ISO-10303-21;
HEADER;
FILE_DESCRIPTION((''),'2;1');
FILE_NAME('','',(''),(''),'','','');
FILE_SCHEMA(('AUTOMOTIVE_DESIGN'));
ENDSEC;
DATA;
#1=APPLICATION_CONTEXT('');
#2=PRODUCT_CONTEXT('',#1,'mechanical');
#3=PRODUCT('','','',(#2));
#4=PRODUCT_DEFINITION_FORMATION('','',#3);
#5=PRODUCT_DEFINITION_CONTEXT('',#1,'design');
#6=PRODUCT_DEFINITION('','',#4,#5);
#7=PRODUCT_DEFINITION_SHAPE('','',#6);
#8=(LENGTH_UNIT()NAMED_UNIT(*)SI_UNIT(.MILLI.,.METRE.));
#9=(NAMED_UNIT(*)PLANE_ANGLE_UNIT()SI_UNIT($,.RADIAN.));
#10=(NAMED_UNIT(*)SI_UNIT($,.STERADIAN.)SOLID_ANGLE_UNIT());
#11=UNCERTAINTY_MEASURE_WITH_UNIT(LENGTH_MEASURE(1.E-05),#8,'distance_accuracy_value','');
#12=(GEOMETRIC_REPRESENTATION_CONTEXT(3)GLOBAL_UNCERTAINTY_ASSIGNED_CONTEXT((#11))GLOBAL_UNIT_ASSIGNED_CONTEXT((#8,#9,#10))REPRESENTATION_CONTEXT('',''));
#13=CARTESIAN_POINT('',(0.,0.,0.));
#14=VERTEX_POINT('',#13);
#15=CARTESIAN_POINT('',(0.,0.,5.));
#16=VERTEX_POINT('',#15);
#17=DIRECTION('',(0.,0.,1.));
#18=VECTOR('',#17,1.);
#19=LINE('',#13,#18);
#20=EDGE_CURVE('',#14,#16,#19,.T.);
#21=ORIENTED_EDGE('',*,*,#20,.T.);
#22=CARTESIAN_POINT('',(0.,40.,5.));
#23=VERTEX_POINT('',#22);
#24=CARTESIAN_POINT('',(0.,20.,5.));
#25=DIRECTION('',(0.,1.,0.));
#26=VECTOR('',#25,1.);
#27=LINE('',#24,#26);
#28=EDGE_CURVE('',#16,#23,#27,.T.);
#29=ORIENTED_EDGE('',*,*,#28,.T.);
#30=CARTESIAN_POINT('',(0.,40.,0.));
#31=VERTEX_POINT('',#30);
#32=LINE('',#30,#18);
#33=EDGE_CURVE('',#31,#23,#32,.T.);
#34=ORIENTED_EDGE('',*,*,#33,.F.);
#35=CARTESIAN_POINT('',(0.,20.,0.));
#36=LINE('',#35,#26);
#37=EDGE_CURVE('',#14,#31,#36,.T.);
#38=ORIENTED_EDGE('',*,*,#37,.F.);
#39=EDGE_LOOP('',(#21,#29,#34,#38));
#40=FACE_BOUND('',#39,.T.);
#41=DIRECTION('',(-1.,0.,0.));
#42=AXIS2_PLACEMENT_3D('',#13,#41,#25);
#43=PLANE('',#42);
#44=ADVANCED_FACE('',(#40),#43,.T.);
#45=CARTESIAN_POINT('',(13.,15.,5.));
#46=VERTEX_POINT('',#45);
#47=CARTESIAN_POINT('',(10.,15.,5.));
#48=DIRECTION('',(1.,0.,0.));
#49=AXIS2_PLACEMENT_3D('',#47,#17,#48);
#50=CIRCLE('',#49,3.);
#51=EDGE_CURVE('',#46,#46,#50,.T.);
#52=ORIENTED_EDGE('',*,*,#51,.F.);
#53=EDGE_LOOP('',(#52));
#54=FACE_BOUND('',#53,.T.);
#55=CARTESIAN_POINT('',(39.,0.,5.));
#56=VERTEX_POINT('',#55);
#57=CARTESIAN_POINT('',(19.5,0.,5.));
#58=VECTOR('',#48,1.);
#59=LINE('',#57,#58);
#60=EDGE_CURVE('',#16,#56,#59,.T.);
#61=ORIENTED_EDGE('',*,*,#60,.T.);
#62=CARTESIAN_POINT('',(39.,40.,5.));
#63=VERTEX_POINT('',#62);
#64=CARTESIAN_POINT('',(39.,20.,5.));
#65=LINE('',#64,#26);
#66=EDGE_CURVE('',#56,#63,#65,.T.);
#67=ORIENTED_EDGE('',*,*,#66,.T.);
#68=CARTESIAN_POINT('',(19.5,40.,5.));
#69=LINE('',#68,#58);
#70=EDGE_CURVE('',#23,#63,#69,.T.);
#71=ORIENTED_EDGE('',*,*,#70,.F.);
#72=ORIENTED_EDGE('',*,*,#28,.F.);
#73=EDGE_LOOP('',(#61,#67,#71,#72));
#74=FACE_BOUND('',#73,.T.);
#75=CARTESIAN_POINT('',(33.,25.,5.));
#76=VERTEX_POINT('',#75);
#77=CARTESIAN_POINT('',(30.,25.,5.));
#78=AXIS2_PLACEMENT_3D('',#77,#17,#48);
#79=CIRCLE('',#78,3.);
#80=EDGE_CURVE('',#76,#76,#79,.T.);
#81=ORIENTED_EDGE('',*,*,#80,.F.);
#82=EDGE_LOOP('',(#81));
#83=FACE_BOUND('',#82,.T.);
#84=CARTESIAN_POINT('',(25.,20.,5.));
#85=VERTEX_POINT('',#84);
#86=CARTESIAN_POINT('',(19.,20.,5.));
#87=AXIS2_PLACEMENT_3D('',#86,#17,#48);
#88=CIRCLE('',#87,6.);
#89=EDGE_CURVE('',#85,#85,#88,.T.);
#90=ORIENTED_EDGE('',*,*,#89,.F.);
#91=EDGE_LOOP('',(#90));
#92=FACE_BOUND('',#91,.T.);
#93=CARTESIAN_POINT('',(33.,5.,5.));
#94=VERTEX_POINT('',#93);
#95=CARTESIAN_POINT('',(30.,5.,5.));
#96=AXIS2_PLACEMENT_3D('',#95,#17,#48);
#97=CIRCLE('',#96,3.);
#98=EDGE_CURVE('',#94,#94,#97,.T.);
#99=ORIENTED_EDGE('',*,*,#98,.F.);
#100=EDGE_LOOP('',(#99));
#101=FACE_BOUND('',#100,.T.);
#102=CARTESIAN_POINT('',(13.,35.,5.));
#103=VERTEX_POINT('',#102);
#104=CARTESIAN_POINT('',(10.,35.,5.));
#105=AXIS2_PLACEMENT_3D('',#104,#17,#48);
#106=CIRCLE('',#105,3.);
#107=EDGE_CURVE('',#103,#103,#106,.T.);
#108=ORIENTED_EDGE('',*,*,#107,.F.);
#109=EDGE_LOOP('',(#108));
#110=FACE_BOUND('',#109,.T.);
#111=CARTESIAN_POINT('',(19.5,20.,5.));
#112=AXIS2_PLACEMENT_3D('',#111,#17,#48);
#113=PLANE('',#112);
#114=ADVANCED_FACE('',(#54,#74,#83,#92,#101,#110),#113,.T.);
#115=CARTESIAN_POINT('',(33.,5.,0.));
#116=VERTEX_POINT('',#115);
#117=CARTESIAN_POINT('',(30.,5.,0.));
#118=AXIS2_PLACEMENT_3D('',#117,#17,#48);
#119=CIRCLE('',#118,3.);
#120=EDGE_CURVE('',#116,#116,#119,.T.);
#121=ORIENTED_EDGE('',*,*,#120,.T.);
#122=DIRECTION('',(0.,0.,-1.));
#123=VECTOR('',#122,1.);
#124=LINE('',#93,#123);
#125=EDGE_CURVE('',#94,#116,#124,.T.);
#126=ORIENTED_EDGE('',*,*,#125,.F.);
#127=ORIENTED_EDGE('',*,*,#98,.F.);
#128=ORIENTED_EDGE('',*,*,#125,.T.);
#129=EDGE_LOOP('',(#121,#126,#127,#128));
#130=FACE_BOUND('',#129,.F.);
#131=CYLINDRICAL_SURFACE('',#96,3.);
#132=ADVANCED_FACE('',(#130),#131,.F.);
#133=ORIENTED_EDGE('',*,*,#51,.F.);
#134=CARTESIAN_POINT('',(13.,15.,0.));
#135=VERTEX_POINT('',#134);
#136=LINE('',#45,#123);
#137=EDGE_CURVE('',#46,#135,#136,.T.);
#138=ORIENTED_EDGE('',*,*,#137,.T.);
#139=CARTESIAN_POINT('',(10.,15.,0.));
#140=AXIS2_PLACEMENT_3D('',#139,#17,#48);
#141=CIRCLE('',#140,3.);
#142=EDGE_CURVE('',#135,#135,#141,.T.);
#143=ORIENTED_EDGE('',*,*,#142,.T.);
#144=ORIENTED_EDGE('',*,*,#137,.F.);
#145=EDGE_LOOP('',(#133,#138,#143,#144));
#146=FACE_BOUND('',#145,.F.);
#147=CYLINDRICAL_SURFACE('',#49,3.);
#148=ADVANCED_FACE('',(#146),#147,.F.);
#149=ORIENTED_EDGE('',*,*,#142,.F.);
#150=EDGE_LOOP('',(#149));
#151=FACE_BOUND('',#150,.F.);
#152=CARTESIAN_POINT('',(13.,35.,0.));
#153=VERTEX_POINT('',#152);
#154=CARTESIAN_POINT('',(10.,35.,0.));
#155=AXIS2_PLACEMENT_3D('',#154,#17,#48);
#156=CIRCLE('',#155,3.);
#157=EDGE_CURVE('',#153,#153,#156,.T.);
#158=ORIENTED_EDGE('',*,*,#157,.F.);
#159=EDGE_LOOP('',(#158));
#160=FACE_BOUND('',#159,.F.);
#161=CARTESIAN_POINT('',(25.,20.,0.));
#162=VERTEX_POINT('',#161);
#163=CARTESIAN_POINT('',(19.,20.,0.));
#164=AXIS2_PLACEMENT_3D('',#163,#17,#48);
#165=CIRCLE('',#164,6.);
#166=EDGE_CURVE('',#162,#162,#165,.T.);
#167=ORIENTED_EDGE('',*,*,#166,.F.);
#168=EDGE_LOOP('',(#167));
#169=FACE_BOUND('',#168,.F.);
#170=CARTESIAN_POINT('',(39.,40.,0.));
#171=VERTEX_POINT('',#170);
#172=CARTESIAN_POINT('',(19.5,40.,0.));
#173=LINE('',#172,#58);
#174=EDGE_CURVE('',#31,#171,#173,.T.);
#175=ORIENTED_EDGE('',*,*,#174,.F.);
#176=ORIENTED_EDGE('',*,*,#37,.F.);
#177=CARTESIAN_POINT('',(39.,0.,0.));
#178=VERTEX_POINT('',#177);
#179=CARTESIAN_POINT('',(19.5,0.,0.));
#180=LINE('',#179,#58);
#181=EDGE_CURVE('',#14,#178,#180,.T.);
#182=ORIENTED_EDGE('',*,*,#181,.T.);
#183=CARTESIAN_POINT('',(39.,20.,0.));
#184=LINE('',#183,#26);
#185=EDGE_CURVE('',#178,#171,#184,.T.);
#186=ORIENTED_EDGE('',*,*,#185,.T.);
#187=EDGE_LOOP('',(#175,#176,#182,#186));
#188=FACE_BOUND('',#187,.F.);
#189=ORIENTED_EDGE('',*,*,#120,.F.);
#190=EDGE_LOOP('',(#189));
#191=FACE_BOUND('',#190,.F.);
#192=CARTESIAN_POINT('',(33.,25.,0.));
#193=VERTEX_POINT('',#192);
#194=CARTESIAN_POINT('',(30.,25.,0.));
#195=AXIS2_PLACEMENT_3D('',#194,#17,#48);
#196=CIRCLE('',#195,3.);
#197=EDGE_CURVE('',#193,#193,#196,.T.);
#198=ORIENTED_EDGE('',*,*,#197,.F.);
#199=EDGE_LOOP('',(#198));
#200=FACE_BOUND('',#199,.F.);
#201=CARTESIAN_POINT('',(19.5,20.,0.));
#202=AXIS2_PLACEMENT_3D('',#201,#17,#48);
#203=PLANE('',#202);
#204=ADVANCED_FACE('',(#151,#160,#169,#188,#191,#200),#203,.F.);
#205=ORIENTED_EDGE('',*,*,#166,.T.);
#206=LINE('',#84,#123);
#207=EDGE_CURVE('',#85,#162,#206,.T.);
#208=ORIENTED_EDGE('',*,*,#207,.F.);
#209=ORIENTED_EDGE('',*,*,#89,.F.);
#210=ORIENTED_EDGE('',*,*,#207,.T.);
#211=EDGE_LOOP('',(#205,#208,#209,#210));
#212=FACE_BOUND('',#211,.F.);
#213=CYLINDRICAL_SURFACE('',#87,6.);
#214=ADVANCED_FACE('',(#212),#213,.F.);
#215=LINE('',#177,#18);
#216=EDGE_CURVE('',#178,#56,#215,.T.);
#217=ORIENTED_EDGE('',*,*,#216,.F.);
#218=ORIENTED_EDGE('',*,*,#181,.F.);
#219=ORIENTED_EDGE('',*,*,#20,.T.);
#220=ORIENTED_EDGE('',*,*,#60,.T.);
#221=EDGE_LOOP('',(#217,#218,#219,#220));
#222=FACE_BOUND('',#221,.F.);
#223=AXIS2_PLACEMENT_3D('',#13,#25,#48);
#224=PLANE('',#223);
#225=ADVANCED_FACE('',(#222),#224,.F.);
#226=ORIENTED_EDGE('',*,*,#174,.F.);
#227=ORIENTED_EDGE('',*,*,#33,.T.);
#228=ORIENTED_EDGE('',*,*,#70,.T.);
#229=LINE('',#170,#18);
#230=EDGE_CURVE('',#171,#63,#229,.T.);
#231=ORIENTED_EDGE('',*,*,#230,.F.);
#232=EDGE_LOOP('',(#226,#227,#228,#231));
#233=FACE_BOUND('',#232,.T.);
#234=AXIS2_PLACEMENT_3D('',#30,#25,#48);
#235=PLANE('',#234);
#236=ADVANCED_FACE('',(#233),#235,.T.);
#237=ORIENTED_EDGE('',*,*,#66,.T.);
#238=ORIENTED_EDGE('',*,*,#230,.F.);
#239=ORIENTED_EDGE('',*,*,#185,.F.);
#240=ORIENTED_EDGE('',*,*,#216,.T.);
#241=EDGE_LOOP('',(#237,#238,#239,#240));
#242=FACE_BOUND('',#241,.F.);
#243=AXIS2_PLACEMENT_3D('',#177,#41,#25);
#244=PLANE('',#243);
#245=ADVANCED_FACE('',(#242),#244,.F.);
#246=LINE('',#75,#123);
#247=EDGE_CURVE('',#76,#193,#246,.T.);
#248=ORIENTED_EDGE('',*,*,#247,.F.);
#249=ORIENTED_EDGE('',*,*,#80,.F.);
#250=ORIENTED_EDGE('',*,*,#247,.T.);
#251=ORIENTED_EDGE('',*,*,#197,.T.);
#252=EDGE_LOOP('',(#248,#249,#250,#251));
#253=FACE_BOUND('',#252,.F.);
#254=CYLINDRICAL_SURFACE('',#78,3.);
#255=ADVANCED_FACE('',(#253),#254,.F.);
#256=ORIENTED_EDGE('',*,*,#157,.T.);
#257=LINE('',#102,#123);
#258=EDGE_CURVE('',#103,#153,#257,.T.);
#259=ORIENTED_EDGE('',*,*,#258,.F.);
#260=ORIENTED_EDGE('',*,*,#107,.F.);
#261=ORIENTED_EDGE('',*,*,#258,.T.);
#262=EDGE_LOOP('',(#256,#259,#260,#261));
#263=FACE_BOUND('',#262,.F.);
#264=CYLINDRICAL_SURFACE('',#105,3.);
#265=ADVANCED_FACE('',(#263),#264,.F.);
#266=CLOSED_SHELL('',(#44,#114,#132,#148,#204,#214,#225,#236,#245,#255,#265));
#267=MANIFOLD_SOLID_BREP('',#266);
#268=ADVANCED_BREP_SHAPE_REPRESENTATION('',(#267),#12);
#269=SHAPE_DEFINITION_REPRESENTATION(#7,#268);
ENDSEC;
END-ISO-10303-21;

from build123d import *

# Parameters (mm, degrees)
SKETCH_W      = 39
SKETCH_H      = 40
PAD_DEPTH     = 5
SKETCH001_R   = 3
SKETCH001_R_2 = 6
POCKET_DEPTH  = 5.001


with BuildPart() as part:
    # Sketch → Pad (new body)
    with BuildSketch(Plane.XY):
        with Locations((19.5, 20)):
            Rectangle(SKETCH_W, SKETCH_H)
    extrude(amount=PAD_DEPTH)

    # Sketch001 (on Face6 of Pad) → Pocket (cut, through all)
    with BuildSketch(Plane.XY.offset(5)):
        with Locations((10, 35)):
            Circle(SKETCH001_R)
        with Locations((30, 25)):
            Circle(SKETCH001_R)
        with Locations((10, 15)):
            Circle(SKETCH001_R)
        with Locations((30, 5)):
            Circle(SKETCH001_R)
        with Locations((19, 20)):
            Circle(SKETCH001_R_2)
    extrude(amount=-POCKET_DEPTH, mode=Mode.SUBTRACT)


solid = part.part
